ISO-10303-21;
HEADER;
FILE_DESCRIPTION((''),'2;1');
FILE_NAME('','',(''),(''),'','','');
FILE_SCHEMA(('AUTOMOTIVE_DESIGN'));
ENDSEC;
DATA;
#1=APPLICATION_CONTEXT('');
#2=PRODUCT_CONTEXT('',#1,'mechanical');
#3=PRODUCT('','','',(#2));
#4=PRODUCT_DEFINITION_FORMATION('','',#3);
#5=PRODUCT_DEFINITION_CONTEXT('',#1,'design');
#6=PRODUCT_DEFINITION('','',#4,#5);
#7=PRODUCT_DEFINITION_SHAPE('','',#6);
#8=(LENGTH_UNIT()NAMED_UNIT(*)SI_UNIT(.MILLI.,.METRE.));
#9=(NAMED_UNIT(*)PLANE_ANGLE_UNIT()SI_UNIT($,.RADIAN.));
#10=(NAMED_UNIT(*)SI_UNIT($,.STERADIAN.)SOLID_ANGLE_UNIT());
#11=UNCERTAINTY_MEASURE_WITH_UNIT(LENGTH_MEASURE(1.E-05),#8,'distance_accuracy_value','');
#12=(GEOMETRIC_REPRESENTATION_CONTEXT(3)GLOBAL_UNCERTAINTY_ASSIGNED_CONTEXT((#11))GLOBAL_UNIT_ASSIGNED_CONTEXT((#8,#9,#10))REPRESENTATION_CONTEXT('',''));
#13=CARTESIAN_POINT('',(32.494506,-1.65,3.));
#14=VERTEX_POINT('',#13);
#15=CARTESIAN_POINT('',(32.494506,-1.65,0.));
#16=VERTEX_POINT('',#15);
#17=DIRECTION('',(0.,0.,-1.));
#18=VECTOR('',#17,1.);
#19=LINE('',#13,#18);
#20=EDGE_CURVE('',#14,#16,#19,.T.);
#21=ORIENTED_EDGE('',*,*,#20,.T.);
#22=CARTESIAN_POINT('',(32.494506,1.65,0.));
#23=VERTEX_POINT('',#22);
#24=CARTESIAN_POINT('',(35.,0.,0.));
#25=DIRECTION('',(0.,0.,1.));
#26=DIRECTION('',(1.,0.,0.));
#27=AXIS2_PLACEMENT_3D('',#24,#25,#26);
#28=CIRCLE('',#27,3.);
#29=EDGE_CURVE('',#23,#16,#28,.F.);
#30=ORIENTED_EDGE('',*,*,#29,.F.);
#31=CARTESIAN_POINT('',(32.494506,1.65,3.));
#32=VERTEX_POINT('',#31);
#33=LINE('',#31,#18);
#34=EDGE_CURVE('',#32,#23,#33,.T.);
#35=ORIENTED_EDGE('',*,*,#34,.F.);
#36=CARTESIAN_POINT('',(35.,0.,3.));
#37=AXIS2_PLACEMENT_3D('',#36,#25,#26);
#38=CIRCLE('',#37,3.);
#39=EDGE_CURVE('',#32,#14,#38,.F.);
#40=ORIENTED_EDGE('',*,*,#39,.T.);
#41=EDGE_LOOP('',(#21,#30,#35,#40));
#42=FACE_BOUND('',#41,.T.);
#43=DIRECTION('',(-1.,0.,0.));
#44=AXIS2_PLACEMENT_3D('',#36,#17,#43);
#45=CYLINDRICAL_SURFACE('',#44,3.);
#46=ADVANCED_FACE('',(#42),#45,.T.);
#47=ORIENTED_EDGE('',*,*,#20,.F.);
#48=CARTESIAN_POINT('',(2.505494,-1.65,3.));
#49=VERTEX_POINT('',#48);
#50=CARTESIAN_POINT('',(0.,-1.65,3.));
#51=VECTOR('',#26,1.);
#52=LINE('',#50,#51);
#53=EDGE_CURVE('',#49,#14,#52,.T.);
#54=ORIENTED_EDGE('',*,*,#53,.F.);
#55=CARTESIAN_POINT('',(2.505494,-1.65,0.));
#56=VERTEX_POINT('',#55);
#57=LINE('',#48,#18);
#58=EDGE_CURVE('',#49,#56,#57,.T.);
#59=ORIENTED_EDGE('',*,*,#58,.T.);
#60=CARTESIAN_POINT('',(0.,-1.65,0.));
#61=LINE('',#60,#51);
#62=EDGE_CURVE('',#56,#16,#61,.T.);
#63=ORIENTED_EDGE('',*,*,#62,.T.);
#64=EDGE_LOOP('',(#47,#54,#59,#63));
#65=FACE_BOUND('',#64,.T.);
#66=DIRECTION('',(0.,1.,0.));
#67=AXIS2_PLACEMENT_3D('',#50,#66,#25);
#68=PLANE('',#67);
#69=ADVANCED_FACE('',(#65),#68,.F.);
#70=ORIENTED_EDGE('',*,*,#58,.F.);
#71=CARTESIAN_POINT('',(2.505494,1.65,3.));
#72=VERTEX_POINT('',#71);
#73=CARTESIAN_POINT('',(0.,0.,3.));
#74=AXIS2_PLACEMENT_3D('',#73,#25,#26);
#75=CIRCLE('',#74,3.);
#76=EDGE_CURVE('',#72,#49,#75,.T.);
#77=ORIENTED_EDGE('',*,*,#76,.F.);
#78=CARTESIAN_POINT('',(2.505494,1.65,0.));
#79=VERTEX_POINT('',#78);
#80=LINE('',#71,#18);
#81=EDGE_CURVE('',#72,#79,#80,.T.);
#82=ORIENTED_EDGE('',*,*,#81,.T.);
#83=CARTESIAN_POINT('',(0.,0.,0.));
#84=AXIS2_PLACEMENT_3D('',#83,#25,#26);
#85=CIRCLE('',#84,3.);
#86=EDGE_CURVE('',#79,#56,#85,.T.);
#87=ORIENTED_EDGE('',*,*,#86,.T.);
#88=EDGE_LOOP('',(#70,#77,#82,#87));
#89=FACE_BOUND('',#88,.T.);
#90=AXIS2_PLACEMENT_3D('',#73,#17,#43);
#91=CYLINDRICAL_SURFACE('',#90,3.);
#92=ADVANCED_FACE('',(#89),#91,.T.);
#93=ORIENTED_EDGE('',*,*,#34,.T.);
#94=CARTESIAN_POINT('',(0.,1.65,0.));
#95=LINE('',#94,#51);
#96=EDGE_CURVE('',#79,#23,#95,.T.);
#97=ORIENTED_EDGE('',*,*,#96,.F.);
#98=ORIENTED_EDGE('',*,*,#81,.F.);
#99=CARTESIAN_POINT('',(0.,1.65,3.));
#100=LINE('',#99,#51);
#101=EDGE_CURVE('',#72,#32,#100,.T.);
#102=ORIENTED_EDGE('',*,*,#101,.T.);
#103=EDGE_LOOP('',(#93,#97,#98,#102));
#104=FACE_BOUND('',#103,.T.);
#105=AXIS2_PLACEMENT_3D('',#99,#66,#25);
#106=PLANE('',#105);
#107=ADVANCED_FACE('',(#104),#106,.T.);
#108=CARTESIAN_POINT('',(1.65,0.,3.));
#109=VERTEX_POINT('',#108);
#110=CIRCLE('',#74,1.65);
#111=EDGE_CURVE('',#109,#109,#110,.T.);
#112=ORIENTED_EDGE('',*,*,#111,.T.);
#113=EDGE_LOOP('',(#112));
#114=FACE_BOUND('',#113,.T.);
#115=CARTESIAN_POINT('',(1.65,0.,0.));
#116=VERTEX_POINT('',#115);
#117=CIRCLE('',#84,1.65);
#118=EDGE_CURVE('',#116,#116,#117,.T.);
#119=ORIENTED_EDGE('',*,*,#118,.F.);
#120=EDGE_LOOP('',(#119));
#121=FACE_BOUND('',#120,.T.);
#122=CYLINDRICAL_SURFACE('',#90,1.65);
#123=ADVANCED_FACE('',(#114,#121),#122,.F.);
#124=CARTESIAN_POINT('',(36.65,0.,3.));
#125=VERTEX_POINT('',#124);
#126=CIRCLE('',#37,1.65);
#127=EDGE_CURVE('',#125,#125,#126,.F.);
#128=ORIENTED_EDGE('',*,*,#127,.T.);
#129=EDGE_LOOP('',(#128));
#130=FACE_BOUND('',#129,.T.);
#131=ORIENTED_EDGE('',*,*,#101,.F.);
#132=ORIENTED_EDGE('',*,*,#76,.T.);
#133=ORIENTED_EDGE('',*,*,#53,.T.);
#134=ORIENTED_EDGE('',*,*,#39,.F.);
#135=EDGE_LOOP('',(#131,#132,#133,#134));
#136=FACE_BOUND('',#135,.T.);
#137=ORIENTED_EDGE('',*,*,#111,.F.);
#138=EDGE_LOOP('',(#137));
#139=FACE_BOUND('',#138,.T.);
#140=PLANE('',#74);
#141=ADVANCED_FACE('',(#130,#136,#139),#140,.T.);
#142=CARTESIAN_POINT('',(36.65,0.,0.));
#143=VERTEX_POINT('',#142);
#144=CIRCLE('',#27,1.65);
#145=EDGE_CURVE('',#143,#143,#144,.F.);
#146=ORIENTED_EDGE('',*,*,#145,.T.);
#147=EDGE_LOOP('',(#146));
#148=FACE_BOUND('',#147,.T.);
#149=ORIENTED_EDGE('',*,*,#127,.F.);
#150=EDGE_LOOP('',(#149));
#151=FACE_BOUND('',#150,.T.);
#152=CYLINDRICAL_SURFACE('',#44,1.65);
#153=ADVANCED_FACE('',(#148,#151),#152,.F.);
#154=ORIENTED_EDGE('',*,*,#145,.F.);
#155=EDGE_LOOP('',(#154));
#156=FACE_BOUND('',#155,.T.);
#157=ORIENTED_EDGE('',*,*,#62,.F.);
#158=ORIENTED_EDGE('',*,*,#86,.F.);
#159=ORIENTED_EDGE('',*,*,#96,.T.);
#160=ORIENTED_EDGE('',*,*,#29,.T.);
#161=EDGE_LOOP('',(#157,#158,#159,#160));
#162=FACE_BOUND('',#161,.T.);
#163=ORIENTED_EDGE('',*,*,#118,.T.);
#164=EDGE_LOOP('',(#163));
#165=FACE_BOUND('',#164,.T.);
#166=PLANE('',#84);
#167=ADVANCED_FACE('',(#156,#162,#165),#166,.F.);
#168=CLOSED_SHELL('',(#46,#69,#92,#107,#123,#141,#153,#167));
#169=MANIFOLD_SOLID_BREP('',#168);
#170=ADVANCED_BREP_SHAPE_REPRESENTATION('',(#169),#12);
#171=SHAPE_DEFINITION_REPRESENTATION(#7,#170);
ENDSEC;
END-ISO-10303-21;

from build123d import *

# Parameters (mm, degrees)
EXTRUDE_1_DEPTH = 3


with BuildPart() as part:
    # 草图1 → 凸台-拉伸1 (new body)
    with BuildSketch(Plane.XY):
        with BuildLine():
            Line((32.494506037, 1.65), (2.505493963, 1.65))
            ThreePointArc((2.505493963, 1.65), (2.87371553, 0.86125435), (3, 0))
            ThreePointArc((3, 0), (2.87371553, -0.86125435), (2.505493963, -1.65))
            Line((2.505493963, -1.65), (32.494506037, -1.65))
            ThreePointArc((32.494506037, -1.65), (32, 0), (32.494506037, 1.65))
        make_face()
        with BuildLine():
            ThreePointArc((0, -1.65), (-1.65, 0), (0, 1.65))
            Line((0, 1.65), (2.505493963, 1.65))
            ThreePointArc((2.505493963, 1.65), (-3, 0), (2.505493963, -1.65))
            Line((2.505493963, -1.65), (0, -1.65))
        make_face()
        with BuildLine():
            Line((2.505493963, 1.65), (0, 1.65))
            ThreePointArc((0, 1.65), (1.166726189, 1.166726189), (1.65, 0))
            ThreePointArc((1.65, 0), (1.166726189, -1.166726189), (0, -1.65))
            Line((0, -1.65), (2.505493963, -1.65))
            ThreePointArc((2.505493963, -1.65), (2.87371553, -0.86125435), (3, 0))
            ThreePointArc((3, 0), (2.87371553, 0.86125435), (2.505493963, 1.65))
        make_face()
        with BuildLine():
            ThreePointArc((38, 0), (35.86125435, 2.87371553), (32.494506037, 1.65))
            Line((32.494506037, 1.65), (35, 1.65))
            ThreePointArc((35, 1.65), (36.166726189, 1.166726189), (36.65, 0))
            ThreePointArc((36.65, 0), (36.166726189, -1.166726189), (35, -1.65))
            Line((35, -1.65), (32.494506037, -1.65))
            ThreePointArc((32.494506037, -1.65), (35.86125435, -2.87371553), (38, 0))
        make_face()
        with BuildLine():
            Line((35, 1.65), (32.494506037, 1.65))
            ThreePointArc((32.494506037, 1.65), (32, 0), (32.494506037, -1.65))
            Line((32.494506037, -1.65), (35, -1.65))
            ThreePointArc((35, -1.65), (33.35, 0), (35, 1.65))
        make_face()
    extrude(amount=EXTRUDE_1_DEPTH)


solid = part.part
